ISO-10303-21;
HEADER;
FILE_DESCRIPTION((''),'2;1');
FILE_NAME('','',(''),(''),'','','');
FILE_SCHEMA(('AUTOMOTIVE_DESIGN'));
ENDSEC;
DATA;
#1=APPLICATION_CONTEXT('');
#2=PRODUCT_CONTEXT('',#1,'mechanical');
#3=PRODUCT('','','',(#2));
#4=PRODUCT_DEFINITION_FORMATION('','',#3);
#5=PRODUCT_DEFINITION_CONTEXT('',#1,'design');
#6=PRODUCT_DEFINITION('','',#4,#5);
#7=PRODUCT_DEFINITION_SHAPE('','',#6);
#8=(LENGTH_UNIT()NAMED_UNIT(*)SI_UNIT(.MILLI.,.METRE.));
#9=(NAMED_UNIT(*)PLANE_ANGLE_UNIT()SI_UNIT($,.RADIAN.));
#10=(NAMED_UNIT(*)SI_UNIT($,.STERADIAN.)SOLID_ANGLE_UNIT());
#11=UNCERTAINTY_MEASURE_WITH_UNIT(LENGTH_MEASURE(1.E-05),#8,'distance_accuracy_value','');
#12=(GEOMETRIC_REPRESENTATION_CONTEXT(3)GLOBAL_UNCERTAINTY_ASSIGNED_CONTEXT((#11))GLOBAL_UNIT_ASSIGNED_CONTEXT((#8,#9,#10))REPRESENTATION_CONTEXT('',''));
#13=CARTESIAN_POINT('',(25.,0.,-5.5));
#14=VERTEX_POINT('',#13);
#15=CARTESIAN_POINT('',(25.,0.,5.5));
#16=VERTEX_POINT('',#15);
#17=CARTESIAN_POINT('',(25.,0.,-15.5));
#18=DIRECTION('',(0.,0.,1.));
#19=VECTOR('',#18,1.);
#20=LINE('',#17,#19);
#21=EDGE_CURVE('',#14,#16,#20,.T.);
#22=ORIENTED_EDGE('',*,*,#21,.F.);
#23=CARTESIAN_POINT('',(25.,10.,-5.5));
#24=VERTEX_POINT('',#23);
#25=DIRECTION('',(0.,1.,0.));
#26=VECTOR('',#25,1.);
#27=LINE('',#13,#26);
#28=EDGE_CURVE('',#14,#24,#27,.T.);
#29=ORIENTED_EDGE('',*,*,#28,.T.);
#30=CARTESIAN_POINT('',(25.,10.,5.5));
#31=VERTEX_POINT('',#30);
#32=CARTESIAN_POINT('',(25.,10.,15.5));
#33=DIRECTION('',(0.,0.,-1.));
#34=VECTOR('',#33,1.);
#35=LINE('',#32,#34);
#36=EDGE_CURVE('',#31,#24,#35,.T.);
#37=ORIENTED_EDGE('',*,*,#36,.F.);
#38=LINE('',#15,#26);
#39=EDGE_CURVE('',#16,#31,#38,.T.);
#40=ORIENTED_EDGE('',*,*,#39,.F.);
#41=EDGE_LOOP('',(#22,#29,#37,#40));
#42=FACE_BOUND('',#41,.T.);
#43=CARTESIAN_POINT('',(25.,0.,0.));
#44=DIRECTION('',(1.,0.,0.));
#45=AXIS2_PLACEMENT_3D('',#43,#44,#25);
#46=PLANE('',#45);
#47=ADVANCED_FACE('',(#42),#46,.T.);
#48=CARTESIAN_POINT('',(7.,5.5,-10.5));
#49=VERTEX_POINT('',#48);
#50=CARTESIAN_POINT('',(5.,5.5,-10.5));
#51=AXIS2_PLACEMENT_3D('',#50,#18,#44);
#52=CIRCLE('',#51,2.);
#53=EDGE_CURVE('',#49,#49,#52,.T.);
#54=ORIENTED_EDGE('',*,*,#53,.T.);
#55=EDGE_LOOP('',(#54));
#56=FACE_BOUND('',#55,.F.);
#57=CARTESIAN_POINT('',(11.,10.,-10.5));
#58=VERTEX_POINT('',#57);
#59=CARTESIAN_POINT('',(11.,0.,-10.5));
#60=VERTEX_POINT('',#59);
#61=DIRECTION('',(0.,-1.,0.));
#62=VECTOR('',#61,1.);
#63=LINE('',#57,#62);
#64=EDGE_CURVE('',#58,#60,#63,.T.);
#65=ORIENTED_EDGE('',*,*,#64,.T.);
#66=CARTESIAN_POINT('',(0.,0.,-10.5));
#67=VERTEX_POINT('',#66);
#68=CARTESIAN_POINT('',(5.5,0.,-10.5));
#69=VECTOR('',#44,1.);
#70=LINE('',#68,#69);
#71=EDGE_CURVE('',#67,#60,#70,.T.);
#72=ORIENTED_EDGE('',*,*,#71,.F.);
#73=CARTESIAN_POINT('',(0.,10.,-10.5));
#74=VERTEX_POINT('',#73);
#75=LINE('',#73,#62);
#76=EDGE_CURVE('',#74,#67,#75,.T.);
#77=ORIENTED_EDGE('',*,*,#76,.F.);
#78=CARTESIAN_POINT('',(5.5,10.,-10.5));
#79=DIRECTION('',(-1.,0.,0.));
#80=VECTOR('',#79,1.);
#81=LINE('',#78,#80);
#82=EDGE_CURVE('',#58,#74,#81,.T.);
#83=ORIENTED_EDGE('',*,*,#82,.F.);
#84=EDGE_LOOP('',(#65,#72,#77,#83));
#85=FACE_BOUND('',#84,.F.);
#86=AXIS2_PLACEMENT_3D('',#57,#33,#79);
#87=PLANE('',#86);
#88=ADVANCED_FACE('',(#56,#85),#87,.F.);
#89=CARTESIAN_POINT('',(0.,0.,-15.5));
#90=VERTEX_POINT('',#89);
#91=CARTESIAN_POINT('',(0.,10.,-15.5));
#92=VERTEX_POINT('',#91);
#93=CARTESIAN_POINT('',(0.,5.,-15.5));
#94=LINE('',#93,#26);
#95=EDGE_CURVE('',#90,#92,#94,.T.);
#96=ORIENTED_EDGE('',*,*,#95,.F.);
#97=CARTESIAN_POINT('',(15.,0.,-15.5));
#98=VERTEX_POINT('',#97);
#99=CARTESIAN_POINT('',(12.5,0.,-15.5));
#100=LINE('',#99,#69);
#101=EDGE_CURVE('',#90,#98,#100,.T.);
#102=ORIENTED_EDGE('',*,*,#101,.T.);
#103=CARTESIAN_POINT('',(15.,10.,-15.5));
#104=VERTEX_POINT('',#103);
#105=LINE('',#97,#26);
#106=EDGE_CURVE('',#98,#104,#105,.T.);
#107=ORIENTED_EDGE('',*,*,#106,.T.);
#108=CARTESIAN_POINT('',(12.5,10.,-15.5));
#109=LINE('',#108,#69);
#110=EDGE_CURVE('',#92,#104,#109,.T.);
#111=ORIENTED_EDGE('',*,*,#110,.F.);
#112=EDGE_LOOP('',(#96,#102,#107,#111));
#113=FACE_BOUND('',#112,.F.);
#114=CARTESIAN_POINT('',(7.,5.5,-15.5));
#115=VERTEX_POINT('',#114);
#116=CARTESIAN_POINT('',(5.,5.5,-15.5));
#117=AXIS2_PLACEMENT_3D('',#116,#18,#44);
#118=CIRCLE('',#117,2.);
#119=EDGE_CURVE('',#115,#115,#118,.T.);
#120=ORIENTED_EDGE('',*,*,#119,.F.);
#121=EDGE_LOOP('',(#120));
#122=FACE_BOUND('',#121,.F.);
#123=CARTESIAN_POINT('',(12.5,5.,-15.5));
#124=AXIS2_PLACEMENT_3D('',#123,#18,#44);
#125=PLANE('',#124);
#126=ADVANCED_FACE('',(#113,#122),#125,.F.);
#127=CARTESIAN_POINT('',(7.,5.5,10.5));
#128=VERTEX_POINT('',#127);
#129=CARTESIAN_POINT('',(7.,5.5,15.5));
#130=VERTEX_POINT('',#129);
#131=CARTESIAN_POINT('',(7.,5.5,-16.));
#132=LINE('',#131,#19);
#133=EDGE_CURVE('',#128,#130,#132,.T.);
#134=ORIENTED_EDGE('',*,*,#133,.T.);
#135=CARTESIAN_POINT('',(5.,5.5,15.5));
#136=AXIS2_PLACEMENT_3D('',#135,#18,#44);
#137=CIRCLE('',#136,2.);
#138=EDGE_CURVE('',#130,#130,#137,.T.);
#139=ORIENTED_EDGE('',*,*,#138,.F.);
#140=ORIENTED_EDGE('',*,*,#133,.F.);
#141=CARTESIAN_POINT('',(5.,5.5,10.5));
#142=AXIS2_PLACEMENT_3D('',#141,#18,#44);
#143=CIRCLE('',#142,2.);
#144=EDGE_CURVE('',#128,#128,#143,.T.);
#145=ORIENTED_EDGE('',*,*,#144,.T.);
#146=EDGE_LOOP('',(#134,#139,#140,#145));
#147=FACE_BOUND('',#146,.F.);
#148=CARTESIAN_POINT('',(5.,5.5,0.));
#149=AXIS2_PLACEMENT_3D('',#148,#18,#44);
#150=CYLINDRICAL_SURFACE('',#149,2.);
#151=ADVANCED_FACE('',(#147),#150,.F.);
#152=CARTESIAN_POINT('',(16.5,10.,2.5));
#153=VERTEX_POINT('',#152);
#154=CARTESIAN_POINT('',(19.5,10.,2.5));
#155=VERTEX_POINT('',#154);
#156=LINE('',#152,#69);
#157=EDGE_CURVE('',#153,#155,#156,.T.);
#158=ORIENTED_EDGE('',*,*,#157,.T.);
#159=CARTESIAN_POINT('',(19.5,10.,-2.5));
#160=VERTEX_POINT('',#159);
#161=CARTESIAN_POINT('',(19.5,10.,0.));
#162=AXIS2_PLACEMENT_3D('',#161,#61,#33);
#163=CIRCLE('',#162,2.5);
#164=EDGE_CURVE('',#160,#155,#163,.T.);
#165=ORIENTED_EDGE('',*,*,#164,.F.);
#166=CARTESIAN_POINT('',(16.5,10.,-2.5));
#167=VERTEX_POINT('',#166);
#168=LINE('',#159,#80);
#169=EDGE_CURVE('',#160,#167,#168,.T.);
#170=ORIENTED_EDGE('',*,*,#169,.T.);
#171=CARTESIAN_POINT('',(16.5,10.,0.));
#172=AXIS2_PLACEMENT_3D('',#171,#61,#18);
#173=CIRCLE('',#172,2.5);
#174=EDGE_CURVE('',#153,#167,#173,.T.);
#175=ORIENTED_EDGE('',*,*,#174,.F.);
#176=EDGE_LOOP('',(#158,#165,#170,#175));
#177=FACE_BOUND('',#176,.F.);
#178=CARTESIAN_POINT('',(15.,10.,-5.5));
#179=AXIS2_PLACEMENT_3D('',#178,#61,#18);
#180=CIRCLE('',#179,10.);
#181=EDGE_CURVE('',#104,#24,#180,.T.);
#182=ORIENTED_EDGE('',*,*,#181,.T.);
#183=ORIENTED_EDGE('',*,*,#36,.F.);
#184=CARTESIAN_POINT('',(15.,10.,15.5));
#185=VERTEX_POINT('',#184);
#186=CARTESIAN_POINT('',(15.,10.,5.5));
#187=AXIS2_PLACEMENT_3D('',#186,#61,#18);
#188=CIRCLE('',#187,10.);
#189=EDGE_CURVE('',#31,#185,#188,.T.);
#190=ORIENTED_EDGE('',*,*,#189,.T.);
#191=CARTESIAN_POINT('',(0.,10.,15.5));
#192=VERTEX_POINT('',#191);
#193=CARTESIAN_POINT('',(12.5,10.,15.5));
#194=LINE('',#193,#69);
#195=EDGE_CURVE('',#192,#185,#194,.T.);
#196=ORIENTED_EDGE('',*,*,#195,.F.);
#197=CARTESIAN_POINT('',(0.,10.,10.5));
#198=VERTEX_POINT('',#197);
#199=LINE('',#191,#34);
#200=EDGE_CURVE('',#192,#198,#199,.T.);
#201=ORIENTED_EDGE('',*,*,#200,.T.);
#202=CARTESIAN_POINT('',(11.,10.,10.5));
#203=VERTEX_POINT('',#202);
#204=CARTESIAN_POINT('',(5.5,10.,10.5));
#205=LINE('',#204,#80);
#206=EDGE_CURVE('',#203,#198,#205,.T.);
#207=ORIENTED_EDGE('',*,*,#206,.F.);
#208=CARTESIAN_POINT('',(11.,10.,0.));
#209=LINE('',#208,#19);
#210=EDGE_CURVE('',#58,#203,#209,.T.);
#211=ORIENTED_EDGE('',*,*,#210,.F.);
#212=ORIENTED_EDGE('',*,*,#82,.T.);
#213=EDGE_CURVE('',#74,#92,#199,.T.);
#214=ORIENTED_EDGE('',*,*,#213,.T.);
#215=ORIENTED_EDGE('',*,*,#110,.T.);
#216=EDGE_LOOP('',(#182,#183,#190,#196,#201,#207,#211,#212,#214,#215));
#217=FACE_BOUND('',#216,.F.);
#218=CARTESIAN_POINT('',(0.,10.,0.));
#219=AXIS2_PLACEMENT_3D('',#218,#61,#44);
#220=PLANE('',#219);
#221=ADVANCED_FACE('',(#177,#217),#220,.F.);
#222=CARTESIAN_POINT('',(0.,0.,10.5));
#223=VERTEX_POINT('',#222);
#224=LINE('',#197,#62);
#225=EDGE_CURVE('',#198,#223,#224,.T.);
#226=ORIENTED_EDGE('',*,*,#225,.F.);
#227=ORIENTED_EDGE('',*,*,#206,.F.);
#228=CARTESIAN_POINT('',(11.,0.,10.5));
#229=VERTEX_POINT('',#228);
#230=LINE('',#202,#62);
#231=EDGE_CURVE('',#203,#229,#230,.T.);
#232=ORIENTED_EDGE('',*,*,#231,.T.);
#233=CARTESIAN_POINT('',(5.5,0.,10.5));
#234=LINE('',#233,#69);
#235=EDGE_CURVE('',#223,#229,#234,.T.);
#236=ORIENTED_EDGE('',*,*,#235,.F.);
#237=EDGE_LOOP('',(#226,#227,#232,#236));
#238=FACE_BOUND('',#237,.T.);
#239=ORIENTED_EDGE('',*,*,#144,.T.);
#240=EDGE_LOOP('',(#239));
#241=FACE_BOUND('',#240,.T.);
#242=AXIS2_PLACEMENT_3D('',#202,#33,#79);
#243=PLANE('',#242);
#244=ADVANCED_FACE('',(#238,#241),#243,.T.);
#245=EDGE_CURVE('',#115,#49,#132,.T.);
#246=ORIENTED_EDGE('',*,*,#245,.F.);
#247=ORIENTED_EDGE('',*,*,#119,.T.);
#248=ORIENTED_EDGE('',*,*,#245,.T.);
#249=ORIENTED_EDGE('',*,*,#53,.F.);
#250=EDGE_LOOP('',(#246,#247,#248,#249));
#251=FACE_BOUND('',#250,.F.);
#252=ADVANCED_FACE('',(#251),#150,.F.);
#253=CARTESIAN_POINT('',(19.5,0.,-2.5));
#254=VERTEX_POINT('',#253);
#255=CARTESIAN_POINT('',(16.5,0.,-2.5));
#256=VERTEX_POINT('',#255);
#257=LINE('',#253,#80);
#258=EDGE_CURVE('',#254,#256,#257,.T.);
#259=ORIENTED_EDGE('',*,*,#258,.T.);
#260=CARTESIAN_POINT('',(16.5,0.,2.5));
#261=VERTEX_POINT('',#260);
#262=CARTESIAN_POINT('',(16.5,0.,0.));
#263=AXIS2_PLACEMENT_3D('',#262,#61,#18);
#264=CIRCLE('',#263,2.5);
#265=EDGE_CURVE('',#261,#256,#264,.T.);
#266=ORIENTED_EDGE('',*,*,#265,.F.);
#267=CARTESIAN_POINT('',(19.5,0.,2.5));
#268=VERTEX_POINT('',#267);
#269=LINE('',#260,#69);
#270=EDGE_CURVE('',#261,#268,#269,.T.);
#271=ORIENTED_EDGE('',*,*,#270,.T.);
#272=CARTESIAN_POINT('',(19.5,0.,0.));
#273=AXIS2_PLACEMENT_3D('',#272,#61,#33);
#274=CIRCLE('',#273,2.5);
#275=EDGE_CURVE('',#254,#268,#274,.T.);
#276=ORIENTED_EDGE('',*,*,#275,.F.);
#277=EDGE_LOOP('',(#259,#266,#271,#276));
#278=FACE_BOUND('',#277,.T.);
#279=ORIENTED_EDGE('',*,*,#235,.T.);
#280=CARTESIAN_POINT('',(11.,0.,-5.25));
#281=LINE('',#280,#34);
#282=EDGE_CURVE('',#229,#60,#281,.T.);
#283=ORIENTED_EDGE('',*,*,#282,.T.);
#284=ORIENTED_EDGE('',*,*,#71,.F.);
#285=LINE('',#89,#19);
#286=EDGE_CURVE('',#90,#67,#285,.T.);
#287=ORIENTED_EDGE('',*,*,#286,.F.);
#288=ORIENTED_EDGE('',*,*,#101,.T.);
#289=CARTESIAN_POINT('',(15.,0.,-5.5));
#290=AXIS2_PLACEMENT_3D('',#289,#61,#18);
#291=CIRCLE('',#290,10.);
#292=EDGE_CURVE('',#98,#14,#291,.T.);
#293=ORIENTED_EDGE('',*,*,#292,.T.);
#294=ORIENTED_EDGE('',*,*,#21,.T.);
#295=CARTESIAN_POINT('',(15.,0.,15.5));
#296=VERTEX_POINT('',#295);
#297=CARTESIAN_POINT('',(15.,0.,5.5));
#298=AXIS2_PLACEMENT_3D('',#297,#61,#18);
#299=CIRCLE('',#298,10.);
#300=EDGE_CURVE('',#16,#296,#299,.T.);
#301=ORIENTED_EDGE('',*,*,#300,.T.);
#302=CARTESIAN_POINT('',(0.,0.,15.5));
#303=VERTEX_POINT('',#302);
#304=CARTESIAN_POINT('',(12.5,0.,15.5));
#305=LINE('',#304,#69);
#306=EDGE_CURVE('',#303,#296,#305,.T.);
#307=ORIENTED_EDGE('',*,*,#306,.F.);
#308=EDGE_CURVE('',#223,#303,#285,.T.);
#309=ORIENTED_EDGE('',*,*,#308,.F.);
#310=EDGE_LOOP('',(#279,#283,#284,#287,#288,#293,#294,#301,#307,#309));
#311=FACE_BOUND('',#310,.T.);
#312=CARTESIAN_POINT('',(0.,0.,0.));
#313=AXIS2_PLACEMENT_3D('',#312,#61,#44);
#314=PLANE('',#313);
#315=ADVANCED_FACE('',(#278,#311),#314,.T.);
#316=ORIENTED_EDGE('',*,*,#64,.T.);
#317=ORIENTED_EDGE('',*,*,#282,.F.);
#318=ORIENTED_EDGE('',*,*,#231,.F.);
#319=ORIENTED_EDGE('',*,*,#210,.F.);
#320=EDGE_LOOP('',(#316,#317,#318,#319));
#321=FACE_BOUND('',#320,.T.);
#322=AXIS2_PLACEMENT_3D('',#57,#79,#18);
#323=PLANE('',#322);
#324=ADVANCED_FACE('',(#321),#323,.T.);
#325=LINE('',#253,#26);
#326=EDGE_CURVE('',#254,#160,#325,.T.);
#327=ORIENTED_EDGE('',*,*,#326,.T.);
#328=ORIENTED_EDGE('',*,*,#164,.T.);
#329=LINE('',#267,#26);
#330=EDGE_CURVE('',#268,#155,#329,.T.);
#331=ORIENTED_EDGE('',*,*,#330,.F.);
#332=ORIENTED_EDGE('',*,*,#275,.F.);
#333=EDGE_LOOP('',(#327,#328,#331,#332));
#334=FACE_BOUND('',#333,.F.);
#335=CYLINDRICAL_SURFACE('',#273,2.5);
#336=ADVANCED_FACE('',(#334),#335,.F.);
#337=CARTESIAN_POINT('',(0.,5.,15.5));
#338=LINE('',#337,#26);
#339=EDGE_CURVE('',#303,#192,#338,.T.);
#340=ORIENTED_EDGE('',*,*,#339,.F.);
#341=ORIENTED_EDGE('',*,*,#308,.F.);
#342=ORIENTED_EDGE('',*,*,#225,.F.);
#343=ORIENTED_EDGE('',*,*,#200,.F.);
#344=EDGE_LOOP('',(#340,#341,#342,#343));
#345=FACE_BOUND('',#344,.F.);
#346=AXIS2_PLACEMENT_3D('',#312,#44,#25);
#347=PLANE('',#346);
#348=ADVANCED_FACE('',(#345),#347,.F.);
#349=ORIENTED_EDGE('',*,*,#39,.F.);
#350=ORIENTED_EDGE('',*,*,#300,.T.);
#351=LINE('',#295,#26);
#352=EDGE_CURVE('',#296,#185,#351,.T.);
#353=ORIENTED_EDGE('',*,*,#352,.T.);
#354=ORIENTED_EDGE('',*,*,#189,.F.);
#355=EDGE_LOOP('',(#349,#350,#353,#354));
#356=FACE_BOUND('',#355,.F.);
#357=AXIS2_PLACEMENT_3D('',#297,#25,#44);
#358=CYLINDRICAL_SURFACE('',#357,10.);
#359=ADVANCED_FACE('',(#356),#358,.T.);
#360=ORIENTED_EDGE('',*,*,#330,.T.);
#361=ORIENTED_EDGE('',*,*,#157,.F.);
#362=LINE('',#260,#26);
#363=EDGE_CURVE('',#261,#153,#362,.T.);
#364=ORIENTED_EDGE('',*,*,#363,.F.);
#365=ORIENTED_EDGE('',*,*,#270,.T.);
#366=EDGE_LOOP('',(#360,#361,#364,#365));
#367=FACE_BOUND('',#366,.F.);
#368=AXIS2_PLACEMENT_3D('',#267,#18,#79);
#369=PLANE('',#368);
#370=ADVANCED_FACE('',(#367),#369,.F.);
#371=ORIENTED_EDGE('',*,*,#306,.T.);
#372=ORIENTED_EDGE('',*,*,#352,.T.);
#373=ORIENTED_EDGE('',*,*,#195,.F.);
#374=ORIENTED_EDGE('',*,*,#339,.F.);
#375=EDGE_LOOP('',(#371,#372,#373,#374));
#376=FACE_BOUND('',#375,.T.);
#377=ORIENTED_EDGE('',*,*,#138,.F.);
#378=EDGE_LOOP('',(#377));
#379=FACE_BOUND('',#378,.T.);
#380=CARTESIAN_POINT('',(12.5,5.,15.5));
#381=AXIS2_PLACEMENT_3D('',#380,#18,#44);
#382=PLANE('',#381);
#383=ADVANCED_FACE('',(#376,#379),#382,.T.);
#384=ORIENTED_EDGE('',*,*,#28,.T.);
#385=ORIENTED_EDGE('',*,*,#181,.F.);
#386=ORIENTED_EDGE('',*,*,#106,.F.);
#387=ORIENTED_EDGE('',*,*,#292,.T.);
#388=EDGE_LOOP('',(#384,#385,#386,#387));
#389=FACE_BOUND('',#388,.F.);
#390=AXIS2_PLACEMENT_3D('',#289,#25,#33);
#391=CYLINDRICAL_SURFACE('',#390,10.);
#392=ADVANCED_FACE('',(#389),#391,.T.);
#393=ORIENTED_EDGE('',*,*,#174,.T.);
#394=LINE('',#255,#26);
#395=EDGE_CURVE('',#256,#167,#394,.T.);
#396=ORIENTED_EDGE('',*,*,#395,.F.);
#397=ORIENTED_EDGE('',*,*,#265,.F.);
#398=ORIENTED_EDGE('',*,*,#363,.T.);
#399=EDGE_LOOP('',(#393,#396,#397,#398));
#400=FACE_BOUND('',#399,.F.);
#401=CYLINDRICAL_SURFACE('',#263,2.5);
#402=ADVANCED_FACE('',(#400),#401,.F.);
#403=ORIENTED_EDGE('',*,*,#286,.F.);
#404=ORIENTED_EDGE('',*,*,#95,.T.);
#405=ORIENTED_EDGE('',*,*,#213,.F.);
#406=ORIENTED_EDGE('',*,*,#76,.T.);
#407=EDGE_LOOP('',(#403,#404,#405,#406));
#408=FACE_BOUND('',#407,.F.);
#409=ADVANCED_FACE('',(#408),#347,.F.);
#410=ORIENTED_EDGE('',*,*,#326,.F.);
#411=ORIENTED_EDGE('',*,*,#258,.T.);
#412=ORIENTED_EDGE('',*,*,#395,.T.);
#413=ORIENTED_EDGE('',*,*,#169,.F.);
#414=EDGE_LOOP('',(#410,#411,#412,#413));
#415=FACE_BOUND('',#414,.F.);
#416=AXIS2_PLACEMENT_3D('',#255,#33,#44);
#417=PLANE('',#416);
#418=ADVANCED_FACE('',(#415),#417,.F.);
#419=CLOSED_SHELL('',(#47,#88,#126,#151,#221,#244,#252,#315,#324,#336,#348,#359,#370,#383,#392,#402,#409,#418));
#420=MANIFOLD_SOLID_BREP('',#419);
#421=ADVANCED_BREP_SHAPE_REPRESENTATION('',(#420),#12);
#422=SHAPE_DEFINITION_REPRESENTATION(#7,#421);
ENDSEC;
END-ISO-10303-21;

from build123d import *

# Parameters (mm, degrees)
F0_W      = 25
F0_H      = 10
F1_DEPTH  = 15.5
F2_W      = 11
F2_H      = 21
F3_DEPTH  = 10.001
F4_R      = 2.5
F5_DEPTH  = 10.001
F6_R      = 10
F7_R      = 2
F8_DEPTH  = 16
F10_DEPTH = 25


with BuildPart() as f1:
    # F0 (on Top) → F1 (new body, symmetric)
    with BuildSketch(Plane.XY):
        with Locations((12.5, 5)):
            Rectangle(F0_W, F0_H)
    extrude(amount=F1_DEPTH, both=True)

    # F2 (on face) → F3 (cut, through all)
    with BuildSketch(Plane(origin=(0, 10, 0), x_dir=(-1, 0, 0), z_dir=(0, 1, 0))):
        with Locations((-5.5, 0)):
            Rectangle(F2_W, F2_H)
    extrude(amount=-F3_DEPTH, mode=Mode.SUBTRACT)

    # F4 (on face) → F5 (cut, through all)
    with BuildSketch(Plane(origin=(0, 10, 0), x_dir=(-1, 0, 0), z_dir=(0, 1, 0))):
        with Locations((-18, 0)):
            Circle(F4_R)
    extrude(amount=-F5_DEPTH, mode=Mode.SUBTRACT)

    # F6
    f6_edges = [f1.edges().sort_by_distance(p)[0] for p in [
        (25, 5, -15.5),
        (25, 5, 15.5),
    ]]
    fillet(f6_edges, radius=F6_R)

    # F7 (on Top) → F8 (cut, symmetric)
    with BuildSketch(Plane.XY):
        with Locations((5, 5.5)):
            Circle(F7_R)
    extrude(amount=F8_DEPTH, both=True, mode=Mode.SUBTRACT)

    # F9 (on face) → F10 (cut)
    with BuildSketch(Plane.XZ):
        with BuildLine():
            Line((19.5, 2.5), (16.5, 2.5))
            ThreePointArc((16.5, 2.5), (14, 0), (16.5, -2.5))
            Line((16.5, -2.5), (19.5, -2.5))
            ThreePointArc((19.5, -2.5), (22, 0), (19.5, 2.5))
        make_face()
    extrude(amount=-F10_DEPTH, mode=Mode.SUBTRACT)


solid = f1.part
